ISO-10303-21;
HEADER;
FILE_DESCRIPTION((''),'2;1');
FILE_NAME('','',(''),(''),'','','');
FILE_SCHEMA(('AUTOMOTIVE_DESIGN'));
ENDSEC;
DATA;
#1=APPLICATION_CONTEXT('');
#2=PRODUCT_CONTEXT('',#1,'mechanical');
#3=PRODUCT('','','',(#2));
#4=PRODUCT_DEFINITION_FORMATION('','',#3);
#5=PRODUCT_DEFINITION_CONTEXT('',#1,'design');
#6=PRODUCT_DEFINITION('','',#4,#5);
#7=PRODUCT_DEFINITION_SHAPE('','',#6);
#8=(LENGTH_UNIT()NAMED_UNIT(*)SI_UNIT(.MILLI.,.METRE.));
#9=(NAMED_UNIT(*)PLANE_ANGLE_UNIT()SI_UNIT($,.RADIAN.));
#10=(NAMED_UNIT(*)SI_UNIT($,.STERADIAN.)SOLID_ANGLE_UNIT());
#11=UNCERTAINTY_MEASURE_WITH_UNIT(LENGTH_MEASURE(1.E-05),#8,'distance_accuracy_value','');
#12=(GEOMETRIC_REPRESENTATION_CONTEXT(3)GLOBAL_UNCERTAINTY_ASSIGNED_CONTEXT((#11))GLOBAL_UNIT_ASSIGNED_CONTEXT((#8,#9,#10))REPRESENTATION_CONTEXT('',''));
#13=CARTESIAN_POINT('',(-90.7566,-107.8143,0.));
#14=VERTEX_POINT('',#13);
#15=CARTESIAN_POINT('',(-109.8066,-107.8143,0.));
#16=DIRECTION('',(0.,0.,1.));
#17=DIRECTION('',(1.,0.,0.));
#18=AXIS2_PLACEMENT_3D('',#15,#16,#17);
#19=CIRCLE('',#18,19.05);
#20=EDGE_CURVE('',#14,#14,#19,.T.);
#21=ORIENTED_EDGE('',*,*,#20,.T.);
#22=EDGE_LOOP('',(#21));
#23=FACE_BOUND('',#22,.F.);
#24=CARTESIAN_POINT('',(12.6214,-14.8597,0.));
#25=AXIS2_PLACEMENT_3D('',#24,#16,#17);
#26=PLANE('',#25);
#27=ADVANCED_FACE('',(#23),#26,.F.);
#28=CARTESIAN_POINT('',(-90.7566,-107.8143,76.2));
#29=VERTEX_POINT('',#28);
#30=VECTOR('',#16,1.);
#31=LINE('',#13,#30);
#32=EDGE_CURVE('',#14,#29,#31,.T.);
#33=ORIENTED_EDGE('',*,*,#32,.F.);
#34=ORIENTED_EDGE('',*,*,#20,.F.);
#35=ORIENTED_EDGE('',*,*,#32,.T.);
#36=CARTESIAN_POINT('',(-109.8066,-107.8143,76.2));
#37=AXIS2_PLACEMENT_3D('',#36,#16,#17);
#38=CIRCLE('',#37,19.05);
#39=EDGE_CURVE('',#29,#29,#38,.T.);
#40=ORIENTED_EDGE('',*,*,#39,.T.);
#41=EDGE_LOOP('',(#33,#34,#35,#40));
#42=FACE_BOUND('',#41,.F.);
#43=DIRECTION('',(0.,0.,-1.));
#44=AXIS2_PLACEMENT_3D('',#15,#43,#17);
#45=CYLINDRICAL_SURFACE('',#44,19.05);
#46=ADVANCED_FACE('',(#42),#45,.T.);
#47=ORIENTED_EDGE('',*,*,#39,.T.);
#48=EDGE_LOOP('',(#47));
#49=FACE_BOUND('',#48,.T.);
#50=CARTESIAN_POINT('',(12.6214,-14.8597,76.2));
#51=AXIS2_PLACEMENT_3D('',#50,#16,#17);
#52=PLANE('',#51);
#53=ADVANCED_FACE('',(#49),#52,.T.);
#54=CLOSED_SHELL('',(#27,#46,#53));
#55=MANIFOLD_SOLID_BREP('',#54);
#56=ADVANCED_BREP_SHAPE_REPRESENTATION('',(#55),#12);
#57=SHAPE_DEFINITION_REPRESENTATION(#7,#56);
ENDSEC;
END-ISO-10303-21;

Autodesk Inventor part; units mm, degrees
ref_plane "YZ Plane" through (0, 0, 0) normal (1, 0, 0) x (0, 1, 0)
ref_plane "XZ Plane" through (0, 0, 0) normal (0, 1, 0) x (-1, 0, 0)
ref_plane "Work Plane1" through (12.6214, -14.8597, 0) normal (0, 0, 1) x (1, 0, 0)
sketch "Sketch1" plane through (12.6214, -14.8597, 0) normal (0, 0, 1) x (1, 0, 0)
  circle A0 centre (-122.428, -92.9546) radius 19.05
  point P0 (-12.6214, 14.8597)
  dimension "d0" = 38.1
extrude "Extrusion1" add sketch "Sketch1" along normal blind 76.2
properties part number "peg(working)"
